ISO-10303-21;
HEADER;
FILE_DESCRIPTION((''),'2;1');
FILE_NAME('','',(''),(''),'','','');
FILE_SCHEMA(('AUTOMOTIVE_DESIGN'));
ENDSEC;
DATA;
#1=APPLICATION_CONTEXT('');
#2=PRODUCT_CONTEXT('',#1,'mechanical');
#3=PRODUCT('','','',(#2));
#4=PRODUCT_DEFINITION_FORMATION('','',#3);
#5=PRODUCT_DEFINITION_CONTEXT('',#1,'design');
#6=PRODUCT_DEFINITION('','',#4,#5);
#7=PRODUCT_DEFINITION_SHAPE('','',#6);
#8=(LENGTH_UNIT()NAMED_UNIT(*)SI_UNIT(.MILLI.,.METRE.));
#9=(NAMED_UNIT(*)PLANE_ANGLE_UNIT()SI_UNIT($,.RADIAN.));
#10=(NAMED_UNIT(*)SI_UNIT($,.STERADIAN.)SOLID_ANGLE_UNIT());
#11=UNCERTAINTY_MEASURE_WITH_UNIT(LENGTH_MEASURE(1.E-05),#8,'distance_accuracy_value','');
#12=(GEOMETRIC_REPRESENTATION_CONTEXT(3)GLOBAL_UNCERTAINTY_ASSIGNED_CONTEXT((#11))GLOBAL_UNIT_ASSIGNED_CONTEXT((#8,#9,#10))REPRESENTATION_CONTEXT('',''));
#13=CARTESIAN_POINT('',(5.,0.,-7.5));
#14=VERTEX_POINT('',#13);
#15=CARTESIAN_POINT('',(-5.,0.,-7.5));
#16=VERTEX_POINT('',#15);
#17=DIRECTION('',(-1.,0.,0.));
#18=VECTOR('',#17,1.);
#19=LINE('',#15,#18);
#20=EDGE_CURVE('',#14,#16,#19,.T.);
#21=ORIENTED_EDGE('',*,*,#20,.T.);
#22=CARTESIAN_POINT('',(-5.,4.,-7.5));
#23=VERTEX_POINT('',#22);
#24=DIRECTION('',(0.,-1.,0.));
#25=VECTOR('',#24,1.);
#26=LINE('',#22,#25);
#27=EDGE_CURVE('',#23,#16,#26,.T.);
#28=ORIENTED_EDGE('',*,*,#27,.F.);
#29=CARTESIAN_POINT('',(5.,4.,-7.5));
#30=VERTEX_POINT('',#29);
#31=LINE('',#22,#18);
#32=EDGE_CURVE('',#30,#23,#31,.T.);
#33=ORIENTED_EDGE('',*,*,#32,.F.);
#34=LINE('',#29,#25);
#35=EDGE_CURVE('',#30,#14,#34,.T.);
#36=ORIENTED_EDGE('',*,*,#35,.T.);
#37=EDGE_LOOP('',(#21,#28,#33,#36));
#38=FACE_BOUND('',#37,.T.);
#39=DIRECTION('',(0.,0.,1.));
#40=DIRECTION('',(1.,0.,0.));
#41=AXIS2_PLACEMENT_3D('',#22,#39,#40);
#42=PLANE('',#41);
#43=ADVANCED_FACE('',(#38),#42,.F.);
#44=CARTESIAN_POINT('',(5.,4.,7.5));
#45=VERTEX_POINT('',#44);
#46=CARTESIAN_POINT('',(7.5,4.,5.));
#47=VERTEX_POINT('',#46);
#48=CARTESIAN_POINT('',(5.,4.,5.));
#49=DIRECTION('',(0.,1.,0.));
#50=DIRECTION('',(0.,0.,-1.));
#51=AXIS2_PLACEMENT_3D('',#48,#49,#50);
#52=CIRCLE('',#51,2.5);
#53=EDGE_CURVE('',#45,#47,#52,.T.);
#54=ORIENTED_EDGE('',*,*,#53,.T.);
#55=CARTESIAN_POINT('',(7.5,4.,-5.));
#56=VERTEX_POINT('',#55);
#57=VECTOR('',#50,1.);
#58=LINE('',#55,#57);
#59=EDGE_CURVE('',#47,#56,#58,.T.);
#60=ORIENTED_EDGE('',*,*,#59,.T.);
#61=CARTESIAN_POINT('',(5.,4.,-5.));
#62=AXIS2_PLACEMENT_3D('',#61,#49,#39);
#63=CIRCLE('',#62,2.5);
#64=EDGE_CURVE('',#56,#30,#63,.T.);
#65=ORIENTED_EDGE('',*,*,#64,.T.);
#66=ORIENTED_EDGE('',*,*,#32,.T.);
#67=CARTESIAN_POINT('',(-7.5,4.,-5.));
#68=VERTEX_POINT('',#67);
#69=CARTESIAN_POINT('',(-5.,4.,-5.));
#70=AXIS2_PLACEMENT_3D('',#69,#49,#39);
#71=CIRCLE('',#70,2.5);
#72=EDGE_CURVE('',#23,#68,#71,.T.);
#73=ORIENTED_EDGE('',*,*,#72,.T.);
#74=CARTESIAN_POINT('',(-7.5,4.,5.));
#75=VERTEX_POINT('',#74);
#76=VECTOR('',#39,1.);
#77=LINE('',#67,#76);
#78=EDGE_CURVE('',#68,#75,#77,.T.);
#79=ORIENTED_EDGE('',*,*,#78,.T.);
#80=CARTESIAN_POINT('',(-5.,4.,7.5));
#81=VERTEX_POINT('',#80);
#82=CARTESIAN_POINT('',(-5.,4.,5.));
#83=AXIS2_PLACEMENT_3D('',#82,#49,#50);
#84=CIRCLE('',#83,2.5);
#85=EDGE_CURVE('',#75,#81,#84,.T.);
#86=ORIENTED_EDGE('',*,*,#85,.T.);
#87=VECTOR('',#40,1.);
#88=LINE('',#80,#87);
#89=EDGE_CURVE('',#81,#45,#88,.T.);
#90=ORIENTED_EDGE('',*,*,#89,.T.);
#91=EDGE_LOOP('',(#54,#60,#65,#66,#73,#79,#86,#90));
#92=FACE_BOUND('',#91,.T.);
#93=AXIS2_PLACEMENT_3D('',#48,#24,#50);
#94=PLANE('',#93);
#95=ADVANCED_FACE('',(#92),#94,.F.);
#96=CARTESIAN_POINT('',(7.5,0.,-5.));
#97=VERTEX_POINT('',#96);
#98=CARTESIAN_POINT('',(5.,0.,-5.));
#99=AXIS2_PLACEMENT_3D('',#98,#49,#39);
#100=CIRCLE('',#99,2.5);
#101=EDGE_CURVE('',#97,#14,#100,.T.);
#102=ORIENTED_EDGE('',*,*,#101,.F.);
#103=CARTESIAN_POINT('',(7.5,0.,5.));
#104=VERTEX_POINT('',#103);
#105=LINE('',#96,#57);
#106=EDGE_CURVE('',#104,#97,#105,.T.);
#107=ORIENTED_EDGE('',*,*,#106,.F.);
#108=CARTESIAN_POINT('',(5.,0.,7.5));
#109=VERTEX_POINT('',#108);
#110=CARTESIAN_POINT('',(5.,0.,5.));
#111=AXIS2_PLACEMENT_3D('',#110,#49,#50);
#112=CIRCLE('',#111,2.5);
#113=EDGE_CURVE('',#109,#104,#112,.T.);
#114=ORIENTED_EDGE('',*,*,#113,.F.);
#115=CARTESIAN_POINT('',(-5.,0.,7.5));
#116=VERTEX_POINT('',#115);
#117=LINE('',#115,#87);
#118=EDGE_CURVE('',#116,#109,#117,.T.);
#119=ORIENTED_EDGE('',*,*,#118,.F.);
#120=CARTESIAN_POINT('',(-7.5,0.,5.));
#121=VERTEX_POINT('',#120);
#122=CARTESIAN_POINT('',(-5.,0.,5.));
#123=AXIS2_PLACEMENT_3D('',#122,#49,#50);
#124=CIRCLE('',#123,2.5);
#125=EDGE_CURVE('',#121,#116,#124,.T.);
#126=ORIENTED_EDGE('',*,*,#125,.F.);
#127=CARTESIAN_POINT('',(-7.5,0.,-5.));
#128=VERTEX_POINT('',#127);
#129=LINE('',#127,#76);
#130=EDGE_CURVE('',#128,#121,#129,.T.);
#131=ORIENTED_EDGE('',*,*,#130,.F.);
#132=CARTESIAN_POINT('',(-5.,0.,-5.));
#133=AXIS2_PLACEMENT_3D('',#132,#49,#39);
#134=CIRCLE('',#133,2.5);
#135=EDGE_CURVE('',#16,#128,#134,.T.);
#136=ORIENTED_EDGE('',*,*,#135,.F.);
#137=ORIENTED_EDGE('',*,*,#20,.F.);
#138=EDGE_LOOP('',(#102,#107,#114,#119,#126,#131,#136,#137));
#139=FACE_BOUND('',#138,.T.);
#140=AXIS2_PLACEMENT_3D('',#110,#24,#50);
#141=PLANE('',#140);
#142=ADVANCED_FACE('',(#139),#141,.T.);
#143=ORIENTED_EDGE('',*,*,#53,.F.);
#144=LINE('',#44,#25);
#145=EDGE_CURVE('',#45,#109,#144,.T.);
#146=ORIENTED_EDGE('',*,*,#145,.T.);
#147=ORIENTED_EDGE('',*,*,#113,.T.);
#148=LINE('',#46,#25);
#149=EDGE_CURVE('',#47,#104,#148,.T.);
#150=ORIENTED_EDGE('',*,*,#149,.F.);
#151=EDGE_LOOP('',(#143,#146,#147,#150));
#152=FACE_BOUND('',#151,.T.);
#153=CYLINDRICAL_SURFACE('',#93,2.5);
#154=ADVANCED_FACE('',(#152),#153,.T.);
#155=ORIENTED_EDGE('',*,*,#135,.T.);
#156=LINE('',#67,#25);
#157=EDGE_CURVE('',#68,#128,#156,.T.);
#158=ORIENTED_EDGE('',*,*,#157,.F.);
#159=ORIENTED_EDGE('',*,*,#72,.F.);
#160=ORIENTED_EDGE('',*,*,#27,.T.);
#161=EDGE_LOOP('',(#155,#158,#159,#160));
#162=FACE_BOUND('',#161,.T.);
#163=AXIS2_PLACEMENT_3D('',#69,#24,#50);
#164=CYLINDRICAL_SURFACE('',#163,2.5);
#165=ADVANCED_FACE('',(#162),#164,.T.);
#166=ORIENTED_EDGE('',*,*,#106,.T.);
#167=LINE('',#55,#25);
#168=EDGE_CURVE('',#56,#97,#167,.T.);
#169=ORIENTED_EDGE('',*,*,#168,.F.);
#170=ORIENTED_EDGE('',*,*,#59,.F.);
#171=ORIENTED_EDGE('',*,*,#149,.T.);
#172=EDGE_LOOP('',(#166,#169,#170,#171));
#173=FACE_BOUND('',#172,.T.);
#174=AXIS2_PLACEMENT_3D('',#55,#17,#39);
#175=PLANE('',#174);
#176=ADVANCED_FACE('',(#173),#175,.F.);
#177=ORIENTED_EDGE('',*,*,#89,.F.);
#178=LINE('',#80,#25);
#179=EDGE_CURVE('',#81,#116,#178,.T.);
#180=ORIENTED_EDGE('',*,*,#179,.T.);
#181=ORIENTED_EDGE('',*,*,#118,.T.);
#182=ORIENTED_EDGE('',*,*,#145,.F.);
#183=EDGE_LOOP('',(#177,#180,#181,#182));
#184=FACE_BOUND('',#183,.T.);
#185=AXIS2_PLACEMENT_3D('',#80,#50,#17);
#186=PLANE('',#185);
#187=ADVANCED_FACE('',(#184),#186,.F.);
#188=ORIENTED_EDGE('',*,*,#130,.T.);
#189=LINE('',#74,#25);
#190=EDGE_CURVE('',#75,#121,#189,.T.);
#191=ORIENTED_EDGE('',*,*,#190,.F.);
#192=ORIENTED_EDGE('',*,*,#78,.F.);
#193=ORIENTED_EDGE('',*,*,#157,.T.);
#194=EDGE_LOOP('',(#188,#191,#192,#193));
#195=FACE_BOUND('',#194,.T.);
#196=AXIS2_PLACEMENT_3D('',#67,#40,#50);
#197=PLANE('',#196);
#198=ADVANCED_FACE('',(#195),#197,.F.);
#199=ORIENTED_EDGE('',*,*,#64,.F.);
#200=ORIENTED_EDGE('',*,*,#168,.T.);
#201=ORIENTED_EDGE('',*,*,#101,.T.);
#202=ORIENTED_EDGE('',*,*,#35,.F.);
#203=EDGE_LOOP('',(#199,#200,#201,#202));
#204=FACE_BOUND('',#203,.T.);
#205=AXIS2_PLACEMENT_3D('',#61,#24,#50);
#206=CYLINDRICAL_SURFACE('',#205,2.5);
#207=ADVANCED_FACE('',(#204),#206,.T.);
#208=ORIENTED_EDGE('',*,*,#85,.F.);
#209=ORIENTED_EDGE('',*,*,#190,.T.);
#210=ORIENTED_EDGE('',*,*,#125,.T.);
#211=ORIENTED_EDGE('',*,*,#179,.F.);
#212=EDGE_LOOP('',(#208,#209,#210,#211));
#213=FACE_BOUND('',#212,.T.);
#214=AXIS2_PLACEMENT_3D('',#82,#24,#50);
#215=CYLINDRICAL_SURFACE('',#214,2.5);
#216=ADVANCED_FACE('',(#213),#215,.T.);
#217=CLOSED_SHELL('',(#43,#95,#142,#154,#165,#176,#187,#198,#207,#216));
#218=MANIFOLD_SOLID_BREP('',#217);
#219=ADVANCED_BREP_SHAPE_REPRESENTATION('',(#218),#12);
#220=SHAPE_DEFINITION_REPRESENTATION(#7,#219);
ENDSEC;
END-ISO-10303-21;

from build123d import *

# Parameters (mm, degrees)
BOSS_EXTRUDE1_DEPTH = 4


with BuildPart() as part:
    # Sketch1 → Boss-Extrude1 (new body)
    with BuildSketch(Plane(origin=(0, 0, 0), x_dir=(1, 0, 0), z_dir=(0, 1, 0))):
        with BuildLine():
            Line((-5, 7.5), (5, 7.5))
            ThreePointArc((5, 7.5), (6.767766953, 6.767766953), (7.5, 5))
            Line((7.5, 5), (7.5, -5))
            ThreePointArc((7.5, -5), (6.767766953, -6.767766953), (5, -7.5))
            Line((5, -7.5), (-5, -7.5))
            ThreePointArc((-5, -7.5), (-6.767766953, -6.767766953), (-7.5, -5))
            Line((-7.5, -5), (-7.5, 5))
            ThreePointArc((-7.5, 5), (-6.767766953, 6.767766953), (-5, 7.5))
        make_face()
    extrude(amount=BOSS_EXTRUDE1_DEPTH)


solid = part.part
